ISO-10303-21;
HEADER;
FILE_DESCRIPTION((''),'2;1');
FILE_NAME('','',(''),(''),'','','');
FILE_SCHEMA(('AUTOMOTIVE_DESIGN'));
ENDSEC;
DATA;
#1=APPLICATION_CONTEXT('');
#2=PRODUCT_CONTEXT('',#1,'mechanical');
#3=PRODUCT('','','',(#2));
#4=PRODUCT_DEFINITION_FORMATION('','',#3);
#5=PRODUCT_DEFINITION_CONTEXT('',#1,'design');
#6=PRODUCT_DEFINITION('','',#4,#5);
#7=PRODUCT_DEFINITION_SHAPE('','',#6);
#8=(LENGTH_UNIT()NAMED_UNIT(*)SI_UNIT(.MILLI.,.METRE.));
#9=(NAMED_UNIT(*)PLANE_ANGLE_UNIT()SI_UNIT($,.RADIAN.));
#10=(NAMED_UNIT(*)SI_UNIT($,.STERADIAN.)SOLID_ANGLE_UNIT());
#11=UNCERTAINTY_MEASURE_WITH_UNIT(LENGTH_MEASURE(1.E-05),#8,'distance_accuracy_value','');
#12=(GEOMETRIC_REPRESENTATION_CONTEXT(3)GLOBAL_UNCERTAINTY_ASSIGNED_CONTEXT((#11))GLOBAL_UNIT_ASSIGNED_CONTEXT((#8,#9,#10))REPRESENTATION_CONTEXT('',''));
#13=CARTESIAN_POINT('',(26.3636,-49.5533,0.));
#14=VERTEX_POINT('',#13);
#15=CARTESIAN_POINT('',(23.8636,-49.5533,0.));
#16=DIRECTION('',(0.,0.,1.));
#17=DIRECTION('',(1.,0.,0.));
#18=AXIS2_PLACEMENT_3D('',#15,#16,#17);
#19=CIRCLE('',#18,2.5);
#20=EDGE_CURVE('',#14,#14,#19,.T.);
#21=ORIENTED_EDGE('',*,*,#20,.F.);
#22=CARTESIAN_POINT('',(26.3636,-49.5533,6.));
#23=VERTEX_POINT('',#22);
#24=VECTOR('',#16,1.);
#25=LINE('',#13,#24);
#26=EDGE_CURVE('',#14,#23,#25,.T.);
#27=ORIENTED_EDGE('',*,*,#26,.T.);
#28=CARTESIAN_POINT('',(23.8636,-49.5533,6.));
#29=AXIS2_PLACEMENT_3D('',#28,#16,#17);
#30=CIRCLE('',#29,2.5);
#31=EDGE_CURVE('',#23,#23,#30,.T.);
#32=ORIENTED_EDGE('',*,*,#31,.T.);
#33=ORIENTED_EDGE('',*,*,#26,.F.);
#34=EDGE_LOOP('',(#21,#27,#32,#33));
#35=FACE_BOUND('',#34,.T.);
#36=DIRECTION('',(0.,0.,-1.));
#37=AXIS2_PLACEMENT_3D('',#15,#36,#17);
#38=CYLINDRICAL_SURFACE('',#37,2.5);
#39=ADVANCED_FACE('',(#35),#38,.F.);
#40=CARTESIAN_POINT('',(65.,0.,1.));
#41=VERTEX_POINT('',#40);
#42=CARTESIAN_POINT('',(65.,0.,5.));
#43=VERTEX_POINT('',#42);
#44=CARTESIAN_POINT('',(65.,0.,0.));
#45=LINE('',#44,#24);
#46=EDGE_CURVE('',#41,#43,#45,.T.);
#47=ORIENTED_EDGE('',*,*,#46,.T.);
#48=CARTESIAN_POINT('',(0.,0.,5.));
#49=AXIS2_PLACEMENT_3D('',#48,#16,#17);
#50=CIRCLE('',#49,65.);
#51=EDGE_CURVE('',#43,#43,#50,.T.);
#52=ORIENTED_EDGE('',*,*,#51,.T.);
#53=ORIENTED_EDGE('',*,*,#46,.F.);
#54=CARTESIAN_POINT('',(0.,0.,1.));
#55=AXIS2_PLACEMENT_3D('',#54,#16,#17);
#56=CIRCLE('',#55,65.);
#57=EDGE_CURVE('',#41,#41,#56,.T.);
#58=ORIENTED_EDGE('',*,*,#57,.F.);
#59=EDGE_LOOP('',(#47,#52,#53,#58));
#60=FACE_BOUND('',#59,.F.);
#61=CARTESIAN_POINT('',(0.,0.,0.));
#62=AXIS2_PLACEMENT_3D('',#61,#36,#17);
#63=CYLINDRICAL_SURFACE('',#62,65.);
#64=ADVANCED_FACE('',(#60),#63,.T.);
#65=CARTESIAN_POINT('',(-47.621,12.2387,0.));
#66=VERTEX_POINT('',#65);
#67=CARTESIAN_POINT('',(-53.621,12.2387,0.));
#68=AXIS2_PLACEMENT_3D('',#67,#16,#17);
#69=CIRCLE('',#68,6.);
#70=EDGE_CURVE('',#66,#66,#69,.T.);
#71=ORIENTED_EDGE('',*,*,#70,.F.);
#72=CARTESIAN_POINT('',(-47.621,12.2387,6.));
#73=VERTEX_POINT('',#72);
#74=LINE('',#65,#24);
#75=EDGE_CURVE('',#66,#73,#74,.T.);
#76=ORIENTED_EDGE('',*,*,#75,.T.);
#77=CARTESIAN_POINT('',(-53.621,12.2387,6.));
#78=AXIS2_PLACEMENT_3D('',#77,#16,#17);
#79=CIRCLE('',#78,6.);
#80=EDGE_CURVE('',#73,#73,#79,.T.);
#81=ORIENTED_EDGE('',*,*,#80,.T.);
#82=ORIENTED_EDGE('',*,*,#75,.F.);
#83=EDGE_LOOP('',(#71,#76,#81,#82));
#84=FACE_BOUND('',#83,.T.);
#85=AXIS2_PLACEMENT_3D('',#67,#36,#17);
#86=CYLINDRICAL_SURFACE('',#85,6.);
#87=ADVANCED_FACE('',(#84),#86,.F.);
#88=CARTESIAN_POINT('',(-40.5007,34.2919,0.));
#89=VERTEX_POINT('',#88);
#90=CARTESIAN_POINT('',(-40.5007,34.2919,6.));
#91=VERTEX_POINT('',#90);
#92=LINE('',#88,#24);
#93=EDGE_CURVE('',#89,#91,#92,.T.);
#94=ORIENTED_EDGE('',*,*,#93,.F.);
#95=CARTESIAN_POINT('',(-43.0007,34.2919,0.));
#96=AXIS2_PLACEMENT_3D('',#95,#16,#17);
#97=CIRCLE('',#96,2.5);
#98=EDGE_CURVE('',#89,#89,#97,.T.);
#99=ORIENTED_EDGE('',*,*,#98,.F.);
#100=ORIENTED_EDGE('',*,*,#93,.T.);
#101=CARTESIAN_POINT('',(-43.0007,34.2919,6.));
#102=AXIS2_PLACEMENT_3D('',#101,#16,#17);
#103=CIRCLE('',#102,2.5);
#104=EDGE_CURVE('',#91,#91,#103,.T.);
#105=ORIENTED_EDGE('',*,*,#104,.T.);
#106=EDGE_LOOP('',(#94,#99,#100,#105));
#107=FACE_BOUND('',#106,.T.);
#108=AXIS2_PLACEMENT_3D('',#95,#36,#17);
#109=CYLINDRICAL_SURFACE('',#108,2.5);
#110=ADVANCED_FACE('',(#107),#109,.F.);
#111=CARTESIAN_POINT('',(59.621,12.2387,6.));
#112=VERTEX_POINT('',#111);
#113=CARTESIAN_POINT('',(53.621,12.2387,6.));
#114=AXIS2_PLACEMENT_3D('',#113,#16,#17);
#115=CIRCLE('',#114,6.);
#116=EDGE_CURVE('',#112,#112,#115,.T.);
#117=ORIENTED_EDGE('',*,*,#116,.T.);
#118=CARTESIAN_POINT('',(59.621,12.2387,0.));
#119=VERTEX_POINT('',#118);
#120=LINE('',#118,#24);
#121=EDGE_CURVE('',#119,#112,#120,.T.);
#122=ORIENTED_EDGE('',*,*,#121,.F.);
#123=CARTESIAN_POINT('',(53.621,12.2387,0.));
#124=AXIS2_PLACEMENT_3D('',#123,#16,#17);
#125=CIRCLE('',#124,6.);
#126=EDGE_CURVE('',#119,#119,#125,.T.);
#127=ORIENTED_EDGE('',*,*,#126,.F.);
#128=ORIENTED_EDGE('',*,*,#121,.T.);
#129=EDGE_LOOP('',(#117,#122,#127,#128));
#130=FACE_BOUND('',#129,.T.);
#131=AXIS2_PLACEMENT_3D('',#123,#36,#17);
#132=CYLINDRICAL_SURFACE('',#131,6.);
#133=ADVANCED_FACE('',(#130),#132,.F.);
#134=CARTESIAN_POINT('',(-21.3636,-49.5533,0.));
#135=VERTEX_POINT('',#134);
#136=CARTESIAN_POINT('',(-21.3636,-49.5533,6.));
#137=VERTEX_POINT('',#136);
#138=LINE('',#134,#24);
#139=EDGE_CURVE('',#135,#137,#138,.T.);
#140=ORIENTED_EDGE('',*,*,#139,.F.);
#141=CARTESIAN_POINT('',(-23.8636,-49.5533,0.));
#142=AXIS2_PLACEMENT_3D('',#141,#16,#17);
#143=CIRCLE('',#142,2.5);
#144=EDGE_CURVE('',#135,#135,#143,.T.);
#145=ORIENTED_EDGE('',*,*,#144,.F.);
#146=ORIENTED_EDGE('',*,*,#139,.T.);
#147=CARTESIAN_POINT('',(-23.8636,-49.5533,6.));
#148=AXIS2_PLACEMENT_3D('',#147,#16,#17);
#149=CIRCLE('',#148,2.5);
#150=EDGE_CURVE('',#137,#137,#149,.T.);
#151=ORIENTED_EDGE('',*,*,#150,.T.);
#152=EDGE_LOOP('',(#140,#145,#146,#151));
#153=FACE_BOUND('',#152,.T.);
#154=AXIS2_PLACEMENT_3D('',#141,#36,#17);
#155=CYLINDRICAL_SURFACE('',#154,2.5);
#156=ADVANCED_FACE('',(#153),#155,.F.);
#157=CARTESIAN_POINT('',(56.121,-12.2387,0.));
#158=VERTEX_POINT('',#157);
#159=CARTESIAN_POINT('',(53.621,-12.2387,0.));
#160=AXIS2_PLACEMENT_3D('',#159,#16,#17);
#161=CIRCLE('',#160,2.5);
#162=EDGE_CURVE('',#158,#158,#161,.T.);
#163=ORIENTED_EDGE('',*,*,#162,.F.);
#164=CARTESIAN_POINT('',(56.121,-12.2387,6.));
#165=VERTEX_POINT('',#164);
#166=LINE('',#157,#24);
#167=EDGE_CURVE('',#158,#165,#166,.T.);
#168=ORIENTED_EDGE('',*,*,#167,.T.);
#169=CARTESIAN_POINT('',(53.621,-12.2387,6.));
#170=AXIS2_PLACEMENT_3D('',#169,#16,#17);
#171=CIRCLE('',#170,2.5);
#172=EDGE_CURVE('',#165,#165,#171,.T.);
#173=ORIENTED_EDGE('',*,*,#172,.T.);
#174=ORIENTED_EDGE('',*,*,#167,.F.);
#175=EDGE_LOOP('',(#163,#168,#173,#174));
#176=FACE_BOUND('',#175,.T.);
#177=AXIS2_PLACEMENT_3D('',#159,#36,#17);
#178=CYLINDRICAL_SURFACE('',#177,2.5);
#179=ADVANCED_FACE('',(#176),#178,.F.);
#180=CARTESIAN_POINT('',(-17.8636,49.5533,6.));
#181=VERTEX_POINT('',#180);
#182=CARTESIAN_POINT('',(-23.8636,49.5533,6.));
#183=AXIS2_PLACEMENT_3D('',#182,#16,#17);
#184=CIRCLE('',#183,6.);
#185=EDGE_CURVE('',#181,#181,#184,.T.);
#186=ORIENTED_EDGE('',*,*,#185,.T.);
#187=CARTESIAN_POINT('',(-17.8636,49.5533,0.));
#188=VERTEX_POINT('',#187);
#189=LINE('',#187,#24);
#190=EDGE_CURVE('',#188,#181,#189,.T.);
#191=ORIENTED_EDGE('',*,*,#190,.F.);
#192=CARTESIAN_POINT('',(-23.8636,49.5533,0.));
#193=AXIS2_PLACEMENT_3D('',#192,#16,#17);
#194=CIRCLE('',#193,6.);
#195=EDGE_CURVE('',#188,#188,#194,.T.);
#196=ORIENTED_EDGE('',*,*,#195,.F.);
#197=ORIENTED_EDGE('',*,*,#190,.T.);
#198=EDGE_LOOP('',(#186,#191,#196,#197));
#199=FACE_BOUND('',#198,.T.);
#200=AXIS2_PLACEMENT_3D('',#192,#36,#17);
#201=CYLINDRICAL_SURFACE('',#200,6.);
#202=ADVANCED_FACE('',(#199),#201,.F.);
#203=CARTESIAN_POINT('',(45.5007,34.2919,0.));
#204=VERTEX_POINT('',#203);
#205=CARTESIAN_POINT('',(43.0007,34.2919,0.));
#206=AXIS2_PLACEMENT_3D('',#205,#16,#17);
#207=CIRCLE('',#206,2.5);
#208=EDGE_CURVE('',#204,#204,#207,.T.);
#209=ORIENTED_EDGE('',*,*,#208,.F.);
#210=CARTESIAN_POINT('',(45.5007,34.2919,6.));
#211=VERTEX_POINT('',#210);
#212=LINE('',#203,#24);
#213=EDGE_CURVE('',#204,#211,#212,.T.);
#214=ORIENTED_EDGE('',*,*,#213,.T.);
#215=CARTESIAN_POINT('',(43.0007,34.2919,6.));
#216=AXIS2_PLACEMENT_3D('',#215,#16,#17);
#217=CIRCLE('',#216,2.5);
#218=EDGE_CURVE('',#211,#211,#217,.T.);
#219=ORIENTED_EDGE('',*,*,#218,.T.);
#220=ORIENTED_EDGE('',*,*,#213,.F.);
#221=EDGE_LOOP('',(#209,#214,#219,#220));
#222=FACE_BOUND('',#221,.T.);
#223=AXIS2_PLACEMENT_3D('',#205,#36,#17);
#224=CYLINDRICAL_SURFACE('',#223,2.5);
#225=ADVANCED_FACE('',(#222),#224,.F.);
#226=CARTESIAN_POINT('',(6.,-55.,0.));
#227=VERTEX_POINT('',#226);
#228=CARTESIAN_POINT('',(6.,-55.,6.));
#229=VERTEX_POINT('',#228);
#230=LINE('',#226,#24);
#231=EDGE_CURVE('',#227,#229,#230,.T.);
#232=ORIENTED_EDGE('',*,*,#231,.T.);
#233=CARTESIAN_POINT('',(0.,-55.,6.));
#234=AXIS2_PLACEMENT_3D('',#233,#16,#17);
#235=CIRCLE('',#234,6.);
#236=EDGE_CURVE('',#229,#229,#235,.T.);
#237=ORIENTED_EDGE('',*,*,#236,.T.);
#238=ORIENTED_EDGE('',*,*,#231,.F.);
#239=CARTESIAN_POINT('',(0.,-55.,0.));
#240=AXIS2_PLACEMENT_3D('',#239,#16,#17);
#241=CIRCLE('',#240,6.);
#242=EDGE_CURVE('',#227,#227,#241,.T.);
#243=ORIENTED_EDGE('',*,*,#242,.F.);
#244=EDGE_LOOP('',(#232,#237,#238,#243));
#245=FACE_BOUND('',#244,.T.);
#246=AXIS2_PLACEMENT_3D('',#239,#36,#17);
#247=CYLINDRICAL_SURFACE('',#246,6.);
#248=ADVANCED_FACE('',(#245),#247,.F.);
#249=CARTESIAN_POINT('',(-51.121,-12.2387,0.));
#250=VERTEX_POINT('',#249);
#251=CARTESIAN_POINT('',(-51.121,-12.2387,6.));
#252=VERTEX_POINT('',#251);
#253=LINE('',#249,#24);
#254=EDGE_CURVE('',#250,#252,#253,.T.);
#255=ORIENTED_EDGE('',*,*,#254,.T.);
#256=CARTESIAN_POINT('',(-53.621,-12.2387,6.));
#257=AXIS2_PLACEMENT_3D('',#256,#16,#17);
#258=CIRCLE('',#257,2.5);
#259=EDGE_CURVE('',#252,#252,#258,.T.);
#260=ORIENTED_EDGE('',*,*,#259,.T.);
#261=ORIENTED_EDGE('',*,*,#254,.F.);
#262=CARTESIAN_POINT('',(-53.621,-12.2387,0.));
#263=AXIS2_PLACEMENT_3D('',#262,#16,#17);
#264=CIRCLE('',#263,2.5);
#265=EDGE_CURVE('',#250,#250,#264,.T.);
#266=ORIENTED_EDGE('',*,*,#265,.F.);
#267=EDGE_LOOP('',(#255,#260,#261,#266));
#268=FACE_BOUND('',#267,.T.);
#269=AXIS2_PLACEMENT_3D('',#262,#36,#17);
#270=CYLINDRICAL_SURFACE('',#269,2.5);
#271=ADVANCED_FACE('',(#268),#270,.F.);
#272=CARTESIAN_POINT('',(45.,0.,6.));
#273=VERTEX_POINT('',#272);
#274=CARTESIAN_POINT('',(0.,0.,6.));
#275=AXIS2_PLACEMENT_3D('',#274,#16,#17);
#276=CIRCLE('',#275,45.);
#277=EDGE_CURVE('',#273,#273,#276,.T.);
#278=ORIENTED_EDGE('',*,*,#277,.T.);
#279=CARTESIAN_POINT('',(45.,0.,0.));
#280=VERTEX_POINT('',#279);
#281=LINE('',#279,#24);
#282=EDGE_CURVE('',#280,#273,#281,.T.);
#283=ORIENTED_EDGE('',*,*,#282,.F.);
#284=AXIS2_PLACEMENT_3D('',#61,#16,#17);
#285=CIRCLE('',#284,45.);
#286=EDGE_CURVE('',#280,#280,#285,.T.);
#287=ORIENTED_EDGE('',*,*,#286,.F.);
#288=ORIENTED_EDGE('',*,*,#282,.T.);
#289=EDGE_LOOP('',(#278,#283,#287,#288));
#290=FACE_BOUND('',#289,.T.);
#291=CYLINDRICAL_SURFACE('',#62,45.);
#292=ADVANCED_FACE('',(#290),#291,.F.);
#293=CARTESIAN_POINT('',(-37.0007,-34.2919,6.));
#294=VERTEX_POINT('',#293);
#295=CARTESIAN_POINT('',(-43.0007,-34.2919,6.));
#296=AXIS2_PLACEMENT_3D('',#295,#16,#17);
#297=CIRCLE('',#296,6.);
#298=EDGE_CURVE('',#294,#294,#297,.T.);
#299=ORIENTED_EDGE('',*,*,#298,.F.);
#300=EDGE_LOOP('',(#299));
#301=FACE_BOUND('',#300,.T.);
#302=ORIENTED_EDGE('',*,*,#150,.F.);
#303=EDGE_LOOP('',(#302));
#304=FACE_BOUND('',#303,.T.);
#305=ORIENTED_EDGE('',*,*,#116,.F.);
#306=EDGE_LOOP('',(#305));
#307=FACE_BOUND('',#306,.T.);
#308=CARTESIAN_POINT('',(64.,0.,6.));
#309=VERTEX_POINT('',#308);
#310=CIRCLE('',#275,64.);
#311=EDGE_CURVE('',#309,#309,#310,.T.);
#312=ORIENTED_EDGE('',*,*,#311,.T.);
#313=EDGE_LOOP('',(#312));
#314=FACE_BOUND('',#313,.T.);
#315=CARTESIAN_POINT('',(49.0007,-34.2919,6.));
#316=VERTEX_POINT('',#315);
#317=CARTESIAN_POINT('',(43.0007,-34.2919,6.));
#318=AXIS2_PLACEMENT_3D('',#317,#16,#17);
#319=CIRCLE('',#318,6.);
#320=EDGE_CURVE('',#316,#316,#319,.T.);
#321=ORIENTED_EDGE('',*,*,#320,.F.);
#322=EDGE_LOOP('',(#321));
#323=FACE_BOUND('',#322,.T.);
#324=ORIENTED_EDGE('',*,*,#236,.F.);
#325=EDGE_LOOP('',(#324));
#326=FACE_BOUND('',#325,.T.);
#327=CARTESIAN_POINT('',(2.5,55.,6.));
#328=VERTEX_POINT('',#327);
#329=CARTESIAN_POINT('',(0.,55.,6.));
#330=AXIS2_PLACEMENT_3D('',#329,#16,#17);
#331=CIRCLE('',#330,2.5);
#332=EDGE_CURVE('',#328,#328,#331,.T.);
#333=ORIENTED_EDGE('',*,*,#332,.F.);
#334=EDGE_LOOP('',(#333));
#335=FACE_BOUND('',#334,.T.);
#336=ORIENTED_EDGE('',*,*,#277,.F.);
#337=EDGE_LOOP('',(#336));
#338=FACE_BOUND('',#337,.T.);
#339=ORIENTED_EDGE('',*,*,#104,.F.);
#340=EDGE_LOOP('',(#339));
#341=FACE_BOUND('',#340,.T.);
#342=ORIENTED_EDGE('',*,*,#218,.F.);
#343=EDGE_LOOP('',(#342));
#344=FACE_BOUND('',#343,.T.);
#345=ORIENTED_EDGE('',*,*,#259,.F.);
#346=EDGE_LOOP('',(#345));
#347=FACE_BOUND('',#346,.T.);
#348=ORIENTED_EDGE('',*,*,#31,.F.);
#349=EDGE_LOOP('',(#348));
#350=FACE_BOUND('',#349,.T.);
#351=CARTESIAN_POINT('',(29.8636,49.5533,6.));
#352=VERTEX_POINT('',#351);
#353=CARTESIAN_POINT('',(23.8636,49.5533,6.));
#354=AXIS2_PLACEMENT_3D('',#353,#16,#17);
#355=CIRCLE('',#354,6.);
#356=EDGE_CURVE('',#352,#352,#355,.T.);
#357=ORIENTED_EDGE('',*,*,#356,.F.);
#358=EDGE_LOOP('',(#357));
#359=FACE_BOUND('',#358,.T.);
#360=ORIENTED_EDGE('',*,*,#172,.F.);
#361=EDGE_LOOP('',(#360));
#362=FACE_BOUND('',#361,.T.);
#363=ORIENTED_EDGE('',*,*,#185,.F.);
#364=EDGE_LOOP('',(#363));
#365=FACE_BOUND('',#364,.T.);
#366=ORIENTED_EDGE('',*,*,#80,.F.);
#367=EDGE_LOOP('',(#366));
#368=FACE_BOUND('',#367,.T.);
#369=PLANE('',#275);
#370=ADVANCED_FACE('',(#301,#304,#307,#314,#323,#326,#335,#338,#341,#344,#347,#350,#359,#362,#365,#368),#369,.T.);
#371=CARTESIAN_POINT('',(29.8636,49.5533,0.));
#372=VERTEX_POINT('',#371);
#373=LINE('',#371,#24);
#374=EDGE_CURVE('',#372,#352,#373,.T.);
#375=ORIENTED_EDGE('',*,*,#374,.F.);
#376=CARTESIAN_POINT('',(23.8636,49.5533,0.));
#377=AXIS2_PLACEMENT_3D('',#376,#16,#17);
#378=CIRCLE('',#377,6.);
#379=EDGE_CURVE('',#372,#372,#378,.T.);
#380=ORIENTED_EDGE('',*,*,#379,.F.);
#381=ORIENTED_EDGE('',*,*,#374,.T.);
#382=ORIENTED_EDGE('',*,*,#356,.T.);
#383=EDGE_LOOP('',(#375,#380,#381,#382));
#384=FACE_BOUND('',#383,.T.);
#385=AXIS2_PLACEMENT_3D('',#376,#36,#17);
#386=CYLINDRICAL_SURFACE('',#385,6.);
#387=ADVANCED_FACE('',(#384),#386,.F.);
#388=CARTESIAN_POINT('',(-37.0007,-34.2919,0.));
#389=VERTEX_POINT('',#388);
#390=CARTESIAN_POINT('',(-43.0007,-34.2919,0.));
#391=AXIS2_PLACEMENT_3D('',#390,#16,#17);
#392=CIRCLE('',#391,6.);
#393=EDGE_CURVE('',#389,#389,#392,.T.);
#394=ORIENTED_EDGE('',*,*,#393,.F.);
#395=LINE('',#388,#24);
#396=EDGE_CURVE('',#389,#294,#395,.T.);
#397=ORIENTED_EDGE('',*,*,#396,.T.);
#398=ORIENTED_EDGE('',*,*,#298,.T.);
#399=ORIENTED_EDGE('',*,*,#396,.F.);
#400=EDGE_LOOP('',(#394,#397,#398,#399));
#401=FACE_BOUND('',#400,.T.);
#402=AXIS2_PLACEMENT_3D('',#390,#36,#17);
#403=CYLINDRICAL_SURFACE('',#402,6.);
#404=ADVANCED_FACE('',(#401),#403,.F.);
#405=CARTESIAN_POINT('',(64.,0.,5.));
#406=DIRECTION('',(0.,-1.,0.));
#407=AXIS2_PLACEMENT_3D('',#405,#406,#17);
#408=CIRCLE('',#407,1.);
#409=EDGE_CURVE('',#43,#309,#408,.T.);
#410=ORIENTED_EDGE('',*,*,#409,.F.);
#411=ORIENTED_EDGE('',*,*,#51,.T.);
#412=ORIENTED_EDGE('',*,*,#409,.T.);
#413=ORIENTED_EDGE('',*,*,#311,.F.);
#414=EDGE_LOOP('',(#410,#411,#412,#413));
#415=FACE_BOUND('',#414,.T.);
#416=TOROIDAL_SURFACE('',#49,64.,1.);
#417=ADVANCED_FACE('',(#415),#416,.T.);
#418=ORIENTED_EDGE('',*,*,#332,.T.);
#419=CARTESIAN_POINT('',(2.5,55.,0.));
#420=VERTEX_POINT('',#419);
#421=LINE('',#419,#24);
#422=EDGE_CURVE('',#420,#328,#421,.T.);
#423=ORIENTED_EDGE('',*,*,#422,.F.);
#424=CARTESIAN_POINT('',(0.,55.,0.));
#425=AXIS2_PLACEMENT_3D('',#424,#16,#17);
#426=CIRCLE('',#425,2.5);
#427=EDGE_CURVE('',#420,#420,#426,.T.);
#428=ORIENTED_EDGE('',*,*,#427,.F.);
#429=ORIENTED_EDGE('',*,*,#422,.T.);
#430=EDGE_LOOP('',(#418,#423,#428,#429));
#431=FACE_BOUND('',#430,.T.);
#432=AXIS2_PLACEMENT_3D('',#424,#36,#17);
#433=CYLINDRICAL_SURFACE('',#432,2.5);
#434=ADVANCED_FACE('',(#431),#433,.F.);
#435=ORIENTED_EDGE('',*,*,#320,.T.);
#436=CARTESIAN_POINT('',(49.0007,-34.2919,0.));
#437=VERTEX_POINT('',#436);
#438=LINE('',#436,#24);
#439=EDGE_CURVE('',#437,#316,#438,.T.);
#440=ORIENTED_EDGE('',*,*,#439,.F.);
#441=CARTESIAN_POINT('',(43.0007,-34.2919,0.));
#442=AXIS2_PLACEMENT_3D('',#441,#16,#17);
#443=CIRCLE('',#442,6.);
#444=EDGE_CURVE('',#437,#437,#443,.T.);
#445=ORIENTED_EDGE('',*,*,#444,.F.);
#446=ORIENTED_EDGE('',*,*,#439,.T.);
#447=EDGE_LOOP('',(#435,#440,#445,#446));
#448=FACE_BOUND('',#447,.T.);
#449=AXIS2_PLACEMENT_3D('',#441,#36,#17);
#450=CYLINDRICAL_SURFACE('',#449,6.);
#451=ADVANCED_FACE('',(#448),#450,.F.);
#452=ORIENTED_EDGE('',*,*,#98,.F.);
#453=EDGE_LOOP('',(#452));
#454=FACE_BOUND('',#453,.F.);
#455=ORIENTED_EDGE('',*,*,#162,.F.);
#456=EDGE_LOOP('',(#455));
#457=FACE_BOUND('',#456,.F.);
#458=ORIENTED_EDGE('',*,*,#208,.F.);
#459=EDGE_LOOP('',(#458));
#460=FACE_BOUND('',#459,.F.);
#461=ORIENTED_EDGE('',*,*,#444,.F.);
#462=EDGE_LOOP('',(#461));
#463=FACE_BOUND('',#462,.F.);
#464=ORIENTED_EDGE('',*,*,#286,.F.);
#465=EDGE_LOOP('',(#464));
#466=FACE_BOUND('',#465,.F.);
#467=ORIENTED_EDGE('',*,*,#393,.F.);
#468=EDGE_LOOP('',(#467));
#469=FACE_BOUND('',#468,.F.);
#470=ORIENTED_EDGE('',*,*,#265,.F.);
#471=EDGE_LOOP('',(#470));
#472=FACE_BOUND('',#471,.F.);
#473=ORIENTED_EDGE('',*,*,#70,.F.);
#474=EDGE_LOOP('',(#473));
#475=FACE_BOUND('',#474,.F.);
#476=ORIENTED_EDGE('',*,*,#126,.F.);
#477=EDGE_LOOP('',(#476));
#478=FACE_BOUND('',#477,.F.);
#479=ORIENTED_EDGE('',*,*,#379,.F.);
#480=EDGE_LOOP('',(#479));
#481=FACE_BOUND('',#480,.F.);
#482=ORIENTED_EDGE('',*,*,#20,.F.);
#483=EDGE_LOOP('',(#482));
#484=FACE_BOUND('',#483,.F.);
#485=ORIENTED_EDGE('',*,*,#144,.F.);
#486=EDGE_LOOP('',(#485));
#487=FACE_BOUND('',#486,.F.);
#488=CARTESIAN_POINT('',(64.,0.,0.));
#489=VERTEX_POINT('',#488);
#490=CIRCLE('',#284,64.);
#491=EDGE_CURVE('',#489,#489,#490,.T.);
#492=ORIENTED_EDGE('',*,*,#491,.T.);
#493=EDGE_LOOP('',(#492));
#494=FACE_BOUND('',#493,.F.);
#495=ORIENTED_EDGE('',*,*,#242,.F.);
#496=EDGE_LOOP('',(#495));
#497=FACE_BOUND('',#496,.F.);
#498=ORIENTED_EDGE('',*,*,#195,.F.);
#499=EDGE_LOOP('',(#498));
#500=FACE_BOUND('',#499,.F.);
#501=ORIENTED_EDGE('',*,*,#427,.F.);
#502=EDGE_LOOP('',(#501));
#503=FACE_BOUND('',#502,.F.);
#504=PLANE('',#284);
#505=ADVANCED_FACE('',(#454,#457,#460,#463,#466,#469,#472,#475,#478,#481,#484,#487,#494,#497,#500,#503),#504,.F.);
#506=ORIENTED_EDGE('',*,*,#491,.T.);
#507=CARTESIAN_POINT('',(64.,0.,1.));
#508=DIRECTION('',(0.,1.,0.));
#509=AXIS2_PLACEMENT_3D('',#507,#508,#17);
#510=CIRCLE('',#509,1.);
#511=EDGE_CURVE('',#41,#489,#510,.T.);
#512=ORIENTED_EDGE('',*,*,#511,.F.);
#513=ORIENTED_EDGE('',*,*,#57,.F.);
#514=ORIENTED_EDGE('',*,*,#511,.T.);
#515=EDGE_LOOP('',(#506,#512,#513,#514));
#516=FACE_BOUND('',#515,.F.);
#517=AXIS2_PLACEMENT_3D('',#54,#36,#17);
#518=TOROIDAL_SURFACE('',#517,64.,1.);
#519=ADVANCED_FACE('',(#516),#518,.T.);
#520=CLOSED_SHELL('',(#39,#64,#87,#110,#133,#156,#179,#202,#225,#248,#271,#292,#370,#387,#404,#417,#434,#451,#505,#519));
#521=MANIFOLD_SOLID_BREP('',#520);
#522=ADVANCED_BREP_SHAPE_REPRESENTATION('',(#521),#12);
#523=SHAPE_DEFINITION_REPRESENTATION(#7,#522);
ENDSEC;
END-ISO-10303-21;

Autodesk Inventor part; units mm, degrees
ref_plane "YZ Plane" through (0, 0, 0) normal (1, 0, 0) x (0, 1, 0)
ref_plane "XZ Plane" through (0, 0, 0) normal (0, 1, 0) x (-1, 0, 0)
ref_plane "XY Plane" through (0, 0, 0) normal (0, 0, 1) x (1, 0, 0)
sketch "Sketch1" plane through (0, 0, 0) normal (0, 0, 1) x (1, 0, 0)
  circle A0 centre (0, 0) radius 45
  circle A1 centre (0, 0) radius 65
  circle A2 centre (0, 0) radius 55 construction
  circle A3 centre (0, -55) radius 6
  circle A4 centre (0, 55) radius 2.5
  line L0 (0, 0) -> (0, 34.6858) construction
  circle A5 centre (-43.0007, 34.2919) radius 2.5
  circle A6 centre (43.0007, -34.2919) radius 6
  circle A7 centre (-53.621, -12.2387) radius 2.5
  circle A8 centre (53.621, 12.2387) radius 6
  circle A9 centre (-23.8636, -49.5533) radius 2.5
  circle A10 centre (23.8636, 49.5533) radius 6
  circle A11 centre (23.8636, -49.5533) radius 2.5
  circle A12 centre (-23.8636, 49.5533) radius 6
  circle A13 centre (53.621, -12.2387) radius 2.5
  circle A14 centre (-53.621, 12.2387) radius 6
  circle A15 centre (43.0007, 34.2919) radius 2.5
  circle A16 centre (-43.0007, -34.2919) radius 6
  point P0 (0, 17.3429)
  dimension "d0" = 90
  dimension "d1" = 130
  dimension "d2" = 110
  dimension "d3" = 12
  dimension "d4" = 5
  dimension "d7" = 360
extrude "Extrusion1" add sketch "Sketch1" along normal blind 6
fillet "Fillet1" radius 1 2 edges at (-65, 0, 6) (-65, 0, 0)
properties part number "Component 10(Assembly Ring)"
